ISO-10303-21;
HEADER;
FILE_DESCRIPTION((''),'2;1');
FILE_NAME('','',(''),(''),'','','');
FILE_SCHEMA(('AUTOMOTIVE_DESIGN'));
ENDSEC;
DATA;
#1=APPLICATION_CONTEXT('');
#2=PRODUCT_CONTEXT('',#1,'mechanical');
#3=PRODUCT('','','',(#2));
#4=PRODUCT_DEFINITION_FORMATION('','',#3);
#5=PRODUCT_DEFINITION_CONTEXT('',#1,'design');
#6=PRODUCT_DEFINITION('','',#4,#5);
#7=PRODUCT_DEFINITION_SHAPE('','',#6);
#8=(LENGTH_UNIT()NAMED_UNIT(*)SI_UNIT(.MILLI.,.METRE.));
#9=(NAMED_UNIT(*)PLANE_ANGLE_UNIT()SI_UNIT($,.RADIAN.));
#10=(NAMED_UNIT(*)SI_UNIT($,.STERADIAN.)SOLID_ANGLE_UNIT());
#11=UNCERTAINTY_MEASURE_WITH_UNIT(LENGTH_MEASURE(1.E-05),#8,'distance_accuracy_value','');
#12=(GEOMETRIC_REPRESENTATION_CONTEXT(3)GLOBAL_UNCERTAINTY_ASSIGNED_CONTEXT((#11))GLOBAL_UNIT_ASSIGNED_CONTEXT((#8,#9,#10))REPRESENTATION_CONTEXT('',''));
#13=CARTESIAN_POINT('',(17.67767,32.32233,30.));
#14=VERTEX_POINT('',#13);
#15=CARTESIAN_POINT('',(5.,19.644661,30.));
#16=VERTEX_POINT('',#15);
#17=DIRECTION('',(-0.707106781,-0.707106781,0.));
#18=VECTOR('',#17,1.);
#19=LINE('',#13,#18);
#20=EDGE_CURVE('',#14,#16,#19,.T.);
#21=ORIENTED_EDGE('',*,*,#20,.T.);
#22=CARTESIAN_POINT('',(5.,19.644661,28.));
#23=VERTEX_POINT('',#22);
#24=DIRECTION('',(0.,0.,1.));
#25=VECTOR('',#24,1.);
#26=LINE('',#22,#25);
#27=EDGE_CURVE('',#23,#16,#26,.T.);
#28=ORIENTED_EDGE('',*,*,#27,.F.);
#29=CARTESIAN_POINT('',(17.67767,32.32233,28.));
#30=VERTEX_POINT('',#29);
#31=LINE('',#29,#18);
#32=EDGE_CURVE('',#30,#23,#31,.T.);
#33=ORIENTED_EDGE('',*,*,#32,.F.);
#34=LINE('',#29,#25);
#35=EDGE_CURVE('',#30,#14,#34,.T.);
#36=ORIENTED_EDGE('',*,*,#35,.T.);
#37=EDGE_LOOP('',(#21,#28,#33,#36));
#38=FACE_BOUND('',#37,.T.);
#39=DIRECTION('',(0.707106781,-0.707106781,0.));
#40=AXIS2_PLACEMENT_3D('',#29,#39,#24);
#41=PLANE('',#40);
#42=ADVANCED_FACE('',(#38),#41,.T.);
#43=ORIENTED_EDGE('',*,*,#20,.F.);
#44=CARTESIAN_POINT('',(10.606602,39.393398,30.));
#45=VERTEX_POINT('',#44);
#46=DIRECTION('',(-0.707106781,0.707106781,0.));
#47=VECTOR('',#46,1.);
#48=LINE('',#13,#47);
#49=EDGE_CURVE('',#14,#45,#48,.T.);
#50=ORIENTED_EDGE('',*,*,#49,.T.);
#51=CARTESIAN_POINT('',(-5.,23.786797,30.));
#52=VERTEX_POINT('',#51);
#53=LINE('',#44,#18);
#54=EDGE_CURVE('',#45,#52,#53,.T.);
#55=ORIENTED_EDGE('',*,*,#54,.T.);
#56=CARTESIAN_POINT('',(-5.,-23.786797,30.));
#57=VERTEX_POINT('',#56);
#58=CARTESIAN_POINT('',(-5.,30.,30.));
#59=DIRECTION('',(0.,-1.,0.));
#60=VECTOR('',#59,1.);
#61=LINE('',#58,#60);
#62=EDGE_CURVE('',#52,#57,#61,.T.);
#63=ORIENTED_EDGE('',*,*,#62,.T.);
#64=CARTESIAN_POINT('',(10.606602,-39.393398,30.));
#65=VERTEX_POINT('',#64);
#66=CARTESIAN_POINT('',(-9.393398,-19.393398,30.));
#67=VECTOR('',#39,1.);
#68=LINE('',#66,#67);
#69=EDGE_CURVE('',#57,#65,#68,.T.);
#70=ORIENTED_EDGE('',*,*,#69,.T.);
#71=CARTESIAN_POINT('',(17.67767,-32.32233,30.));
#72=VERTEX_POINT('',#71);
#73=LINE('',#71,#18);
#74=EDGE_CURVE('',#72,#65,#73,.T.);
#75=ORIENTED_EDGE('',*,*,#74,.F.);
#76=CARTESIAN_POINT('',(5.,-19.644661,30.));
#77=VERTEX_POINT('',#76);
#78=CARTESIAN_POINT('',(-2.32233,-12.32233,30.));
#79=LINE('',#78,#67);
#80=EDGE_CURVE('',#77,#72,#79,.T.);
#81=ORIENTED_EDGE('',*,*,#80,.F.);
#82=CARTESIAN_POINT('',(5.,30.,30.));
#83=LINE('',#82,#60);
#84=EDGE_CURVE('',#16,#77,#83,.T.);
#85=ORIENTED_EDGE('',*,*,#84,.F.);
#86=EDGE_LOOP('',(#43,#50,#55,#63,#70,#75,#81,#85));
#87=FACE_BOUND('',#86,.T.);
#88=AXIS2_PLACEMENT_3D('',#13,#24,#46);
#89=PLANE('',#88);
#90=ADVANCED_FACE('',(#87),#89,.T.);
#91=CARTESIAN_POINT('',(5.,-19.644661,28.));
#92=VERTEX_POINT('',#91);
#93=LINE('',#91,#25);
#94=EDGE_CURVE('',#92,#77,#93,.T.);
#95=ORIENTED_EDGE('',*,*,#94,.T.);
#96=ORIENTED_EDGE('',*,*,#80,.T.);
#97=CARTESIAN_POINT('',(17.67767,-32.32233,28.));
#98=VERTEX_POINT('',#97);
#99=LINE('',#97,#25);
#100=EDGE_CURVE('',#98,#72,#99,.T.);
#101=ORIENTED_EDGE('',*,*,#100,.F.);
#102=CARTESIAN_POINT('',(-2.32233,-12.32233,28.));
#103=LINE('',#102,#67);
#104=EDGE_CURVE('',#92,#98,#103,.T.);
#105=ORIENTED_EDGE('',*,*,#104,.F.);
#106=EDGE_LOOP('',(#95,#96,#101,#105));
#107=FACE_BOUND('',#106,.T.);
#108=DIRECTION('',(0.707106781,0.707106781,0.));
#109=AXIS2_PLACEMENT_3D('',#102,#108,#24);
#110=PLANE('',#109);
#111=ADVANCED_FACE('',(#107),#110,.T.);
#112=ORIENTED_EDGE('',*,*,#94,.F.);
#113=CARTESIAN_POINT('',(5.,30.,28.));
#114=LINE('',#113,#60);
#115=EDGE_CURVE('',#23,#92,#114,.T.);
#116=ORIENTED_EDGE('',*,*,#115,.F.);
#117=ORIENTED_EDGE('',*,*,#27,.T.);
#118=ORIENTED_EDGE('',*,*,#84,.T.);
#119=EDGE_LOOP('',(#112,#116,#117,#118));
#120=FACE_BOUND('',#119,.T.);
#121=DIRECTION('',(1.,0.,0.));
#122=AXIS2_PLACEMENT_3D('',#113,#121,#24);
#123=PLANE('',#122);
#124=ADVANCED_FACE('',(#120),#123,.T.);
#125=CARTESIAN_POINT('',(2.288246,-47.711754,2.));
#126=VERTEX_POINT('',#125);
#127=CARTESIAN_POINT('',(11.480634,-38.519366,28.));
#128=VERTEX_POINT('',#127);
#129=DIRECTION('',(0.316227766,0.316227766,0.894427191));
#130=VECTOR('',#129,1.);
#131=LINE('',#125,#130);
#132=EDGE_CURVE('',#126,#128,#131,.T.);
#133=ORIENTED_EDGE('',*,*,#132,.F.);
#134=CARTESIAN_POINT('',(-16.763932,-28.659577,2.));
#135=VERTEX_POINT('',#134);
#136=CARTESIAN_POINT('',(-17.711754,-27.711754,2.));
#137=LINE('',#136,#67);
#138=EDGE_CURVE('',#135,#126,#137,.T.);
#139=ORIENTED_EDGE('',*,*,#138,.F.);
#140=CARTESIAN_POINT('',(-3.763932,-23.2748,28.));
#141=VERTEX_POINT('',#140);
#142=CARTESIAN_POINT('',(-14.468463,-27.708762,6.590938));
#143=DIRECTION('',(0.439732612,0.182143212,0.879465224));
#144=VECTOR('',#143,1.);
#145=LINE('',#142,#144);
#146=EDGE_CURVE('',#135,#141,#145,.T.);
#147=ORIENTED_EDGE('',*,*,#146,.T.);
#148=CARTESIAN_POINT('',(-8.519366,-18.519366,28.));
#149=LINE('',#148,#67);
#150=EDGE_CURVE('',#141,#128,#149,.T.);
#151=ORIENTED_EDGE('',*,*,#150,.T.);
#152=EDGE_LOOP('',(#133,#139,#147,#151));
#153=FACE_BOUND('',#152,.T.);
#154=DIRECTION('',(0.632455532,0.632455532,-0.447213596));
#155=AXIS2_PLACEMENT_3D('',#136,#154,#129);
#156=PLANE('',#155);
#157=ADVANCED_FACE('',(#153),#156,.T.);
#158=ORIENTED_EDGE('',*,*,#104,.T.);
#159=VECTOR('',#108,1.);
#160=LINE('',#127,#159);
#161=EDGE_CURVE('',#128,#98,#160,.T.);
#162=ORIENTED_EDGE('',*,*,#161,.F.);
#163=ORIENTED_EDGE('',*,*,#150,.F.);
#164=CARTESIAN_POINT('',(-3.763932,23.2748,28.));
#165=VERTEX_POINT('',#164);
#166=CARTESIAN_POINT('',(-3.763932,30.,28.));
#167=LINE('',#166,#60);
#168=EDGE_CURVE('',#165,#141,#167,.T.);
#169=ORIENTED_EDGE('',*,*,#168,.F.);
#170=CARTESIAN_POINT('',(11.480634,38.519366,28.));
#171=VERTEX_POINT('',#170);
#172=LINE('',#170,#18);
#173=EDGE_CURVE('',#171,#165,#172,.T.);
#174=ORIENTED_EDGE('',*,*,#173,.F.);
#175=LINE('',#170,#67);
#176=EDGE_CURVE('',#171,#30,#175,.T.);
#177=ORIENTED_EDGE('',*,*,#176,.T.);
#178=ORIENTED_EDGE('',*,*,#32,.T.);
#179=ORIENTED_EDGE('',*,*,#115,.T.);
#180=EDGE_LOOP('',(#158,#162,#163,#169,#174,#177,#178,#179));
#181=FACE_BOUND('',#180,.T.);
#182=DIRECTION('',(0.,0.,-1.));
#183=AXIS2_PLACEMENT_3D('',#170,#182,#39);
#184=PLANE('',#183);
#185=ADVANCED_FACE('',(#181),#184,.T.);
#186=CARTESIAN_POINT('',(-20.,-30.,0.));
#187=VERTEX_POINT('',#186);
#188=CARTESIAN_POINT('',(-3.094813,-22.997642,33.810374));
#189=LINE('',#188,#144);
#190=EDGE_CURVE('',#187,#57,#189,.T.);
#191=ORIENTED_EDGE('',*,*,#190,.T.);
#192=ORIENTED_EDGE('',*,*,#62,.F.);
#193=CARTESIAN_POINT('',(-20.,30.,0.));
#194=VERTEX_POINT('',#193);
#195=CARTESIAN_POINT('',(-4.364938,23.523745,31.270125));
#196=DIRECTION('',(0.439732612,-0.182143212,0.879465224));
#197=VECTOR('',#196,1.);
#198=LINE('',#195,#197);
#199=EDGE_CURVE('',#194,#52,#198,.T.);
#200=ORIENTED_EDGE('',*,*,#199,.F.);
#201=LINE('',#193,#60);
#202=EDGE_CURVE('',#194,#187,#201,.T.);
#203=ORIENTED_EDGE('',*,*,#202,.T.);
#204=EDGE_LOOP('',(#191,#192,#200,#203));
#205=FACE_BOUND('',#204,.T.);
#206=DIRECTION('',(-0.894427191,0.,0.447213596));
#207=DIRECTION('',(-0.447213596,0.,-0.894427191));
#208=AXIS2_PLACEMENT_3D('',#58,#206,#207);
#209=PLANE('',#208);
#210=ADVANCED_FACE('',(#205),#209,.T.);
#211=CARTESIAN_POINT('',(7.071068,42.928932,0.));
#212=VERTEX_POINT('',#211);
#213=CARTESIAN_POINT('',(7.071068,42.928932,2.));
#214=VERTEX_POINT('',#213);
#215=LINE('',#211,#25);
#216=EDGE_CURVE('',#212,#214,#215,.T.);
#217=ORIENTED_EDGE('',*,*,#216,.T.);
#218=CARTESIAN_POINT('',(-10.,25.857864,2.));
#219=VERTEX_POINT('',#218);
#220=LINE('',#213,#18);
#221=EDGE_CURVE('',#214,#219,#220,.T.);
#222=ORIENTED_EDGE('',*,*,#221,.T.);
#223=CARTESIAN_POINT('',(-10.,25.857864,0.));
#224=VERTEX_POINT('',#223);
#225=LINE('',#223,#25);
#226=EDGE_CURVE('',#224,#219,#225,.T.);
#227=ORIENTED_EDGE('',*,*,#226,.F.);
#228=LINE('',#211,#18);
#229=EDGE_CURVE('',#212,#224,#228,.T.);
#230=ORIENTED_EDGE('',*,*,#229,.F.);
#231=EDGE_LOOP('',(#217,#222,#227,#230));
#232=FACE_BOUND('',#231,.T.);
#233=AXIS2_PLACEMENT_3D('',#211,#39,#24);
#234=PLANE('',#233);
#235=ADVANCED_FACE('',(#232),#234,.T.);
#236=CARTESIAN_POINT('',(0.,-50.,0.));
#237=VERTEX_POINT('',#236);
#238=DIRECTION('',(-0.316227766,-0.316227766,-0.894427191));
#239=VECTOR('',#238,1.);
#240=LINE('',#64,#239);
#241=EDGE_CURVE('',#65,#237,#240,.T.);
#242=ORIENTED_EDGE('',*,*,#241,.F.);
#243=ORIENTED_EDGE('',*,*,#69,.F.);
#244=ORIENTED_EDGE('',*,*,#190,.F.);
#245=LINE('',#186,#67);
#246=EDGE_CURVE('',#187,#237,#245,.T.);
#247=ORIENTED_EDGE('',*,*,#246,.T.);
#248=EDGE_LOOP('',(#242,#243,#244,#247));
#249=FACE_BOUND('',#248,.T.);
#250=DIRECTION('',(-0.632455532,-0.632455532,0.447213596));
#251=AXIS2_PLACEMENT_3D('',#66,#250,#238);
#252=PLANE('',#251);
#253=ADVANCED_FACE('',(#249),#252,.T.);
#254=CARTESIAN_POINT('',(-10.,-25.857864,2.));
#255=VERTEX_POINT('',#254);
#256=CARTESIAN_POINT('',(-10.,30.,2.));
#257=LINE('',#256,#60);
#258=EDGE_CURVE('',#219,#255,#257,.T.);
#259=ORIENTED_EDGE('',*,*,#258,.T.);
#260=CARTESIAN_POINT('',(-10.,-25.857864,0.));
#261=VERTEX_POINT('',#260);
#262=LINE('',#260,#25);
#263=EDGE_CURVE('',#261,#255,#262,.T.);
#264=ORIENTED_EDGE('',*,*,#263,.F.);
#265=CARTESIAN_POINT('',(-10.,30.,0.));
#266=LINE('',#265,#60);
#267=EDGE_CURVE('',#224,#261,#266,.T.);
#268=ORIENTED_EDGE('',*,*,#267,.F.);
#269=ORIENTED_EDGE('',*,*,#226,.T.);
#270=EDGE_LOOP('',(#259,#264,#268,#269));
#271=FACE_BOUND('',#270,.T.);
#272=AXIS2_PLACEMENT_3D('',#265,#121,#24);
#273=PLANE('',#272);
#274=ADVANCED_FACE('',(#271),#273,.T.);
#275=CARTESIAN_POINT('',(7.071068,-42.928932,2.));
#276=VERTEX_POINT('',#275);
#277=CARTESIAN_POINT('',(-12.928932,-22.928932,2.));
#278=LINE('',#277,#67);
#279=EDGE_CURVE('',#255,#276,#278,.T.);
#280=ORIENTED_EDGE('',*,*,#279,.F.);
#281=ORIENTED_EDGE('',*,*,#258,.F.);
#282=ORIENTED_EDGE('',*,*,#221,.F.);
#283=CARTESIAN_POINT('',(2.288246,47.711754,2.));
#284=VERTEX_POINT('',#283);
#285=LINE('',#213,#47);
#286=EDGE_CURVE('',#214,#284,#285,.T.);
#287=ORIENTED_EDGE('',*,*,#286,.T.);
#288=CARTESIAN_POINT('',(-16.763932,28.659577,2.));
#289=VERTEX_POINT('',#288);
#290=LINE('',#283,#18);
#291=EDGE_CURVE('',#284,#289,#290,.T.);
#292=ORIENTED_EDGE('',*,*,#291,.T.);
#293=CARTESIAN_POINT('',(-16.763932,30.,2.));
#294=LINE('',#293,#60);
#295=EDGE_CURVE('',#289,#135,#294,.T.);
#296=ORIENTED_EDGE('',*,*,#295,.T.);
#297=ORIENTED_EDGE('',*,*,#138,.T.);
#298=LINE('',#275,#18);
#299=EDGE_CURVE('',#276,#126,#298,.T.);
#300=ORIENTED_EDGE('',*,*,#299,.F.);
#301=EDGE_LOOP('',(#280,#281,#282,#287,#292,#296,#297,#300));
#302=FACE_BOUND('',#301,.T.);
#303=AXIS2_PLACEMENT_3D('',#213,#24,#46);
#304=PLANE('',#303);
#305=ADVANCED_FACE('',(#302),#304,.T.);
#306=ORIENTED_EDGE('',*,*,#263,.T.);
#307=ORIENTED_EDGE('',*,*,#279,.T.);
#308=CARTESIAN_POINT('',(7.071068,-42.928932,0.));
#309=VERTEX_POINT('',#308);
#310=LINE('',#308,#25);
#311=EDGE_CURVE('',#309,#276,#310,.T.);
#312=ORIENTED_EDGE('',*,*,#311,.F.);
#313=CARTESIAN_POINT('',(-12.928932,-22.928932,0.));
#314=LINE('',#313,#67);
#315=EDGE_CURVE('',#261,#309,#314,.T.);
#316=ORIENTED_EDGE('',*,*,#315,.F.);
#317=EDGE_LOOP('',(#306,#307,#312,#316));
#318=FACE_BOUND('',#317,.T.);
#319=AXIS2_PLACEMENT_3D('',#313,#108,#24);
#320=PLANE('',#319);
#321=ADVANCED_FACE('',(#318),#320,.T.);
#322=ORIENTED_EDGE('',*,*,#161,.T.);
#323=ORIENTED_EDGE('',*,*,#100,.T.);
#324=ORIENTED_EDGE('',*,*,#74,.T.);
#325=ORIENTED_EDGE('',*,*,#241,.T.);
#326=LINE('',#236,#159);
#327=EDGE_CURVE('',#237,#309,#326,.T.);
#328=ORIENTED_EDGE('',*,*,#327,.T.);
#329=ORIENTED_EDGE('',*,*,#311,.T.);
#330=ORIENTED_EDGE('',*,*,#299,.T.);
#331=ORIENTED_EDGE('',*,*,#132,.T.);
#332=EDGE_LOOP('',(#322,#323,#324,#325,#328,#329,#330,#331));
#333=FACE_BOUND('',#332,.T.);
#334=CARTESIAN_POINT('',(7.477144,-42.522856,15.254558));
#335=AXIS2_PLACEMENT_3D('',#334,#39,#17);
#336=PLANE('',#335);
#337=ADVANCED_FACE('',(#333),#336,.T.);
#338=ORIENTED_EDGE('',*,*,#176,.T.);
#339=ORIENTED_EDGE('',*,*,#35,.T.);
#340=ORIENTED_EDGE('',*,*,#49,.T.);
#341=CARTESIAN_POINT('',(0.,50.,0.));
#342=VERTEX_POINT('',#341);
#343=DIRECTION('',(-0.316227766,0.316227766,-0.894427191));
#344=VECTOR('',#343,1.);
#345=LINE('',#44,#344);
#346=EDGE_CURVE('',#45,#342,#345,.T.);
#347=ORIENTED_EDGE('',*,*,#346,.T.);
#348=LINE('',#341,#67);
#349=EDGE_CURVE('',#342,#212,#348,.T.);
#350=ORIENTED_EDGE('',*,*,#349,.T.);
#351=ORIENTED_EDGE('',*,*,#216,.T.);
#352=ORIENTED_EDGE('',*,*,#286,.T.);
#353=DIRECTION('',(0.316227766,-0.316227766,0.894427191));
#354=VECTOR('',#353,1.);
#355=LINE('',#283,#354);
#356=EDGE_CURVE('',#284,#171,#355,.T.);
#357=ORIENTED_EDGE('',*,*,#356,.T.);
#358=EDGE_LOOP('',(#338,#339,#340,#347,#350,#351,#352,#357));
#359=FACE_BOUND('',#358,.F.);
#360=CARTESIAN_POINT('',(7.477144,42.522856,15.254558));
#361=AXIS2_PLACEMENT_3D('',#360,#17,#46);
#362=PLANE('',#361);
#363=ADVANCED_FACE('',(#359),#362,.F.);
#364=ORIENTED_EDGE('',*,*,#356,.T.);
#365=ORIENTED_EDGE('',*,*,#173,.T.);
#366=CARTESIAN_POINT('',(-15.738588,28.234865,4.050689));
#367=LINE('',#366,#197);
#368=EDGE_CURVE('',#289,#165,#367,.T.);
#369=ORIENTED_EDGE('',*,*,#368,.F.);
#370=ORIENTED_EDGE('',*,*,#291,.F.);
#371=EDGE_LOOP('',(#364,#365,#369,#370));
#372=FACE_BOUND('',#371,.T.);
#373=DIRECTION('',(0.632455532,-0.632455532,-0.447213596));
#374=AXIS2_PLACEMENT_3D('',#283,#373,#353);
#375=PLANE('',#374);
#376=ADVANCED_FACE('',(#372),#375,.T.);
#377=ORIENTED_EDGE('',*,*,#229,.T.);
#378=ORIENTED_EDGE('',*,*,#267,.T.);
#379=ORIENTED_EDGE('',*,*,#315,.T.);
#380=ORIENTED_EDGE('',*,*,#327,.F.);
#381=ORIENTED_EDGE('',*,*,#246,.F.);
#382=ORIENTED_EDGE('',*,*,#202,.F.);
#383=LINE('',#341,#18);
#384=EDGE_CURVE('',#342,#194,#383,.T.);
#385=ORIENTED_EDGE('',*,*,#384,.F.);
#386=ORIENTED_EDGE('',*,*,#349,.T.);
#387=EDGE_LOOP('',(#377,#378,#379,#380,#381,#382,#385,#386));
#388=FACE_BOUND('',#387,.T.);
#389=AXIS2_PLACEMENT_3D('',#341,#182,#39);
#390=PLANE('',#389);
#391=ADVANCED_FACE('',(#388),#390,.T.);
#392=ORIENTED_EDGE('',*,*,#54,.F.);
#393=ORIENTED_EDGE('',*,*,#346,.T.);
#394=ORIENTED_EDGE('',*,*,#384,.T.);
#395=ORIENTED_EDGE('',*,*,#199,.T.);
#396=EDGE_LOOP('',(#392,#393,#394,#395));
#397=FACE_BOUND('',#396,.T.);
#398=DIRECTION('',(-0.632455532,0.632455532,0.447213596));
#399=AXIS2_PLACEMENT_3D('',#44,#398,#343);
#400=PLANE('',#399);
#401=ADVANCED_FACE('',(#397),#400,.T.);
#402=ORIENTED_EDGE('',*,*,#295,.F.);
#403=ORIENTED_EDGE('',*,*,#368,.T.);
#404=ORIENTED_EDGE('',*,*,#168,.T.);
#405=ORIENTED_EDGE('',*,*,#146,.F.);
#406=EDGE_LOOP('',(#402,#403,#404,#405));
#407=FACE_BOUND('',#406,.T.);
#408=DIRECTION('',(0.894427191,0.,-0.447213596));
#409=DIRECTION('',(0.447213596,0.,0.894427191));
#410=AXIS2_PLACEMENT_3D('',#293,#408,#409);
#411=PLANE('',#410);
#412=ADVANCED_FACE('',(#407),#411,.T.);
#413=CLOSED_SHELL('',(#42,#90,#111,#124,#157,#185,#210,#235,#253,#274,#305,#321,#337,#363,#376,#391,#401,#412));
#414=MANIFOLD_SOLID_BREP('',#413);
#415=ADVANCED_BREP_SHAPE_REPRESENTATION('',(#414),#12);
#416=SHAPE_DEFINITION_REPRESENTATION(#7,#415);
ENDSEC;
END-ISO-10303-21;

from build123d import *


with BuildPart() as f2:
    # F2: sweep along a path in F0
    with BuildLine(Plane.XY) as f2_path:
        Line((0, 50), (-20, 30))
        Line((-20, 30), (-20, -30))
        Line((-20, -30), (0, -50))
    # F1 (on Front) → F2 (sweep)
    with BuildSketch(Plane.XZ):
        Polygon((-20, 0), (-10, 0), (-10, 2), (-16.7639320225, 2), (-3.7639320225, 28), (5, 28), (5, 30), (-5, 30), align=None)
    sweep(path=f2_path.line, transition=Transition.RIGHT)


solid = f2.part
